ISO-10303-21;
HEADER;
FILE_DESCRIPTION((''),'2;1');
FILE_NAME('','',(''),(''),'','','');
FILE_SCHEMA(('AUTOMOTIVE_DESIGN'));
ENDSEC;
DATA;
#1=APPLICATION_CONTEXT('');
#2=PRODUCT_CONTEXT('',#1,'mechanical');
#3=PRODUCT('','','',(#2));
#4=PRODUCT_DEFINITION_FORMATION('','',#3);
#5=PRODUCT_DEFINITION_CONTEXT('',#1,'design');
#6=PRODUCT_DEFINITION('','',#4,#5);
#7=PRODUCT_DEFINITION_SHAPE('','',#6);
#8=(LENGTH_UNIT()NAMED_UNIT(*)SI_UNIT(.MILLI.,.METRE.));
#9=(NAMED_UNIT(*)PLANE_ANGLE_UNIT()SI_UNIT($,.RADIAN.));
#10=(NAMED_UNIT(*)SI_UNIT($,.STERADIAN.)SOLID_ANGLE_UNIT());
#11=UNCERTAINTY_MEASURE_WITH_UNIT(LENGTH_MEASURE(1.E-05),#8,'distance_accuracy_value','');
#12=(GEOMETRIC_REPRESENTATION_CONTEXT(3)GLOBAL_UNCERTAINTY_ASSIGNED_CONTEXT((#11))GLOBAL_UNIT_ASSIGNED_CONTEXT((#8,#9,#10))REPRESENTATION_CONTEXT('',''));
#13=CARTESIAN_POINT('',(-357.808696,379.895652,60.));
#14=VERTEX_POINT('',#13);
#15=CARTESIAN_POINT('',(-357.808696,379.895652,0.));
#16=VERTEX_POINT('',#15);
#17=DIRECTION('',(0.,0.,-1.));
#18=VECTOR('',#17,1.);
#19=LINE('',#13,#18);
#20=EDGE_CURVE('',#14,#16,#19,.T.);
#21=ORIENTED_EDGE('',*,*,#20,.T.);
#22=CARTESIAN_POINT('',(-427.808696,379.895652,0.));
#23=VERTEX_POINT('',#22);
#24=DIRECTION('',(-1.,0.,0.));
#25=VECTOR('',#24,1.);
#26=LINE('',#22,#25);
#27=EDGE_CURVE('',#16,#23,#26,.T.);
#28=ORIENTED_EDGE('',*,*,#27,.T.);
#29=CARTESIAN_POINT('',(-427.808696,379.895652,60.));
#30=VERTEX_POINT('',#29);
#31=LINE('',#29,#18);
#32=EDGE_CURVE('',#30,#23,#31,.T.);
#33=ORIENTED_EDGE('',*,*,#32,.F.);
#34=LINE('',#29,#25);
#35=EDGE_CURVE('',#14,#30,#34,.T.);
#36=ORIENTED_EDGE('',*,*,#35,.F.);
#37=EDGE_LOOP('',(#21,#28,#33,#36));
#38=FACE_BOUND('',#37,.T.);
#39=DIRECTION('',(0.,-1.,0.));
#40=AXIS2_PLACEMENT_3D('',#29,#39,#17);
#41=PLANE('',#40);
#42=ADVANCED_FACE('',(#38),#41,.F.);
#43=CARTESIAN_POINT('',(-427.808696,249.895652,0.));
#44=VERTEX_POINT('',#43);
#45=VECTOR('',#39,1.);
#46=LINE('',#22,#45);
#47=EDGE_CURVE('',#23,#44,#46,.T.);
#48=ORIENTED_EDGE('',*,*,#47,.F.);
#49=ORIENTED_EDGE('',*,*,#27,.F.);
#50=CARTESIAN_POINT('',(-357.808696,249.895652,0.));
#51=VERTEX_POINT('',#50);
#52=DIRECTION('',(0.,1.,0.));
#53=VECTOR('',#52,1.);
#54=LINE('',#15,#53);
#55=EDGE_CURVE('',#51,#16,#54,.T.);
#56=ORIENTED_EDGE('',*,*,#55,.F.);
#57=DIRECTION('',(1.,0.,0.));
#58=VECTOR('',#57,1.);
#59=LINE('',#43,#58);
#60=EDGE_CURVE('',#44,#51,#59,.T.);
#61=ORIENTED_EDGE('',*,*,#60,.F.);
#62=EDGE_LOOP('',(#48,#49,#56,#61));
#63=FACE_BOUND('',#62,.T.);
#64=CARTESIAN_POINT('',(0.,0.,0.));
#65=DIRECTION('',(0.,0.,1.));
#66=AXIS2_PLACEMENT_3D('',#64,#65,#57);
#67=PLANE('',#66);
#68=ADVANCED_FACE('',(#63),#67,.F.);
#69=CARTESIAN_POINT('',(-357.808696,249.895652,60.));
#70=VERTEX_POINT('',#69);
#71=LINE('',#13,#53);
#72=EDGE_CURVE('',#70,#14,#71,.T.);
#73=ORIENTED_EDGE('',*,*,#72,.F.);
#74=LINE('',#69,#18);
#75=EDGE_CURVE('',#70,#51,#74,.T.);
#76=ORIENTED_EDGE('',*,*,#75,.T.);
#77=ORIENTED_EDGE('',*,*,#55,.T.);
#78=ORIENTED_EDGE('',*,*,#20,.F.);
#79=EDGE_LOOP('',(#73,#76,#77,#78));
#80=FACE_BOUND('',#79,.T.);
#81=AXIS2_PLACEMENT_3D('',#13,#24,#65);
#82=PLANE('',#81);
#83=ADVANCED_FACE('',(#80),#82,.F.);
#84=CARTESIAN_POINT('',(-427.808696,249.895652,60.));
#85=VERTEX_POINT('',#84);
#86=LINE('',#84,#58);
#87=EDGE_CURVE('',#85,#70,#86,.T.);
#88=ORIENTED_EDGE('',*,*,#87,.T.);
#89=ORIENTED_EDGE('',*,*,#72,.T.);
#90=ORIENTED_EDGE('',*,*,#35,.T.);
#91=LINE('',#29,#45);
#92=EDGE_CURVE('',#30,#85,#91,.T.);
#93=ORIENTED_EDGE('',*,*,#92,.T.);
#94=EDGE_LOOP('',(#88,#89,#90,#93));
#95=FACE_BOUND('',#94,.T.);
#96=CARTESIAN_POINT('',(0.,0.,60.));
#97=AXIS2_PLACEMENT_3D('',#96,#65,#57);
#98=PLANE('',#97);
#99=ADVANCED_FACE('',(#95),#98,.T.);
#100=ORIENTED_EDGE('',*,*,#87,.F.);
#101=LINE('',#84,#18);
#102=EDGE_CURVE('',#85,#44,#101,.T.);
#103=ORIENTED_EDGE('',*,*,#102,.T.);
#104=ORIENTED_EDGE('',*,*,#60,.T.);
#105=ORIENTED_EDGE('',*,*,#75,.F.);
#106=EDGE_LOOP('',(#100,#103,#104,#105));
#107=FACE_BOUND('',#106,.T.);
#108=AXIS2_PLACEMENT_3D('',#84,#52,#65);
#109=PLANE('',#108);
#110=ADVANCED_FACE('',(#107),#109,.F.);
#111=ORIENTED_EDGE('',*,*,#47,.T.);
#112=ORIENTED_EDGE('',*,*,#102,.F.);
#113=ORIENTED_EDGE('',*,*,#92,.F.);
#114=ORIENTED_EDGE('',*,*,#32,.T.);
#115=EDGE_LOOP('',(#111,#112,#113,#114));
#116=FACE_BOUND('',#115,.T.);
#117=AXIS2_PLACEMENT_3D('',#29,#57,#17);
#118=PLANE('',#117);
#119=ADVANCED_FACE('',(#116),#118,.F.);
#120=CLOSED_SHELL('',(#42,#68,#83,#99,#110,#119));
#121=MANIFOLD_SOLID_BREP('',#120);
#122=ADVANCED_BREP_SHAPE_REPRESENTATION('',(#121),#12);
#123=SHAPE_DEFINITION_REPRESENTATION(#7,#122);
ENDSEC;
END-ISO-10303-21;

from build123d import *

# Parameters (mm, degrees)
SKETCH1_W           = 69.999999954
SKETCH1_H           = 130.000000096
BOSS_EXTRUDE1_DEPTH = 60


with BuildPart() as part:
    # Sketch1 → Boss-Extrude1 (new body)
    with BuildSketch(Plane.XY):
        with Locations((-392.808695629, 314.895652126)):
            Rectangle(SKETCH1_W, SKETCH1_H)
    extrude(amount=BOSS_EXTRUDE1_DEPTH)


solid = part.part
